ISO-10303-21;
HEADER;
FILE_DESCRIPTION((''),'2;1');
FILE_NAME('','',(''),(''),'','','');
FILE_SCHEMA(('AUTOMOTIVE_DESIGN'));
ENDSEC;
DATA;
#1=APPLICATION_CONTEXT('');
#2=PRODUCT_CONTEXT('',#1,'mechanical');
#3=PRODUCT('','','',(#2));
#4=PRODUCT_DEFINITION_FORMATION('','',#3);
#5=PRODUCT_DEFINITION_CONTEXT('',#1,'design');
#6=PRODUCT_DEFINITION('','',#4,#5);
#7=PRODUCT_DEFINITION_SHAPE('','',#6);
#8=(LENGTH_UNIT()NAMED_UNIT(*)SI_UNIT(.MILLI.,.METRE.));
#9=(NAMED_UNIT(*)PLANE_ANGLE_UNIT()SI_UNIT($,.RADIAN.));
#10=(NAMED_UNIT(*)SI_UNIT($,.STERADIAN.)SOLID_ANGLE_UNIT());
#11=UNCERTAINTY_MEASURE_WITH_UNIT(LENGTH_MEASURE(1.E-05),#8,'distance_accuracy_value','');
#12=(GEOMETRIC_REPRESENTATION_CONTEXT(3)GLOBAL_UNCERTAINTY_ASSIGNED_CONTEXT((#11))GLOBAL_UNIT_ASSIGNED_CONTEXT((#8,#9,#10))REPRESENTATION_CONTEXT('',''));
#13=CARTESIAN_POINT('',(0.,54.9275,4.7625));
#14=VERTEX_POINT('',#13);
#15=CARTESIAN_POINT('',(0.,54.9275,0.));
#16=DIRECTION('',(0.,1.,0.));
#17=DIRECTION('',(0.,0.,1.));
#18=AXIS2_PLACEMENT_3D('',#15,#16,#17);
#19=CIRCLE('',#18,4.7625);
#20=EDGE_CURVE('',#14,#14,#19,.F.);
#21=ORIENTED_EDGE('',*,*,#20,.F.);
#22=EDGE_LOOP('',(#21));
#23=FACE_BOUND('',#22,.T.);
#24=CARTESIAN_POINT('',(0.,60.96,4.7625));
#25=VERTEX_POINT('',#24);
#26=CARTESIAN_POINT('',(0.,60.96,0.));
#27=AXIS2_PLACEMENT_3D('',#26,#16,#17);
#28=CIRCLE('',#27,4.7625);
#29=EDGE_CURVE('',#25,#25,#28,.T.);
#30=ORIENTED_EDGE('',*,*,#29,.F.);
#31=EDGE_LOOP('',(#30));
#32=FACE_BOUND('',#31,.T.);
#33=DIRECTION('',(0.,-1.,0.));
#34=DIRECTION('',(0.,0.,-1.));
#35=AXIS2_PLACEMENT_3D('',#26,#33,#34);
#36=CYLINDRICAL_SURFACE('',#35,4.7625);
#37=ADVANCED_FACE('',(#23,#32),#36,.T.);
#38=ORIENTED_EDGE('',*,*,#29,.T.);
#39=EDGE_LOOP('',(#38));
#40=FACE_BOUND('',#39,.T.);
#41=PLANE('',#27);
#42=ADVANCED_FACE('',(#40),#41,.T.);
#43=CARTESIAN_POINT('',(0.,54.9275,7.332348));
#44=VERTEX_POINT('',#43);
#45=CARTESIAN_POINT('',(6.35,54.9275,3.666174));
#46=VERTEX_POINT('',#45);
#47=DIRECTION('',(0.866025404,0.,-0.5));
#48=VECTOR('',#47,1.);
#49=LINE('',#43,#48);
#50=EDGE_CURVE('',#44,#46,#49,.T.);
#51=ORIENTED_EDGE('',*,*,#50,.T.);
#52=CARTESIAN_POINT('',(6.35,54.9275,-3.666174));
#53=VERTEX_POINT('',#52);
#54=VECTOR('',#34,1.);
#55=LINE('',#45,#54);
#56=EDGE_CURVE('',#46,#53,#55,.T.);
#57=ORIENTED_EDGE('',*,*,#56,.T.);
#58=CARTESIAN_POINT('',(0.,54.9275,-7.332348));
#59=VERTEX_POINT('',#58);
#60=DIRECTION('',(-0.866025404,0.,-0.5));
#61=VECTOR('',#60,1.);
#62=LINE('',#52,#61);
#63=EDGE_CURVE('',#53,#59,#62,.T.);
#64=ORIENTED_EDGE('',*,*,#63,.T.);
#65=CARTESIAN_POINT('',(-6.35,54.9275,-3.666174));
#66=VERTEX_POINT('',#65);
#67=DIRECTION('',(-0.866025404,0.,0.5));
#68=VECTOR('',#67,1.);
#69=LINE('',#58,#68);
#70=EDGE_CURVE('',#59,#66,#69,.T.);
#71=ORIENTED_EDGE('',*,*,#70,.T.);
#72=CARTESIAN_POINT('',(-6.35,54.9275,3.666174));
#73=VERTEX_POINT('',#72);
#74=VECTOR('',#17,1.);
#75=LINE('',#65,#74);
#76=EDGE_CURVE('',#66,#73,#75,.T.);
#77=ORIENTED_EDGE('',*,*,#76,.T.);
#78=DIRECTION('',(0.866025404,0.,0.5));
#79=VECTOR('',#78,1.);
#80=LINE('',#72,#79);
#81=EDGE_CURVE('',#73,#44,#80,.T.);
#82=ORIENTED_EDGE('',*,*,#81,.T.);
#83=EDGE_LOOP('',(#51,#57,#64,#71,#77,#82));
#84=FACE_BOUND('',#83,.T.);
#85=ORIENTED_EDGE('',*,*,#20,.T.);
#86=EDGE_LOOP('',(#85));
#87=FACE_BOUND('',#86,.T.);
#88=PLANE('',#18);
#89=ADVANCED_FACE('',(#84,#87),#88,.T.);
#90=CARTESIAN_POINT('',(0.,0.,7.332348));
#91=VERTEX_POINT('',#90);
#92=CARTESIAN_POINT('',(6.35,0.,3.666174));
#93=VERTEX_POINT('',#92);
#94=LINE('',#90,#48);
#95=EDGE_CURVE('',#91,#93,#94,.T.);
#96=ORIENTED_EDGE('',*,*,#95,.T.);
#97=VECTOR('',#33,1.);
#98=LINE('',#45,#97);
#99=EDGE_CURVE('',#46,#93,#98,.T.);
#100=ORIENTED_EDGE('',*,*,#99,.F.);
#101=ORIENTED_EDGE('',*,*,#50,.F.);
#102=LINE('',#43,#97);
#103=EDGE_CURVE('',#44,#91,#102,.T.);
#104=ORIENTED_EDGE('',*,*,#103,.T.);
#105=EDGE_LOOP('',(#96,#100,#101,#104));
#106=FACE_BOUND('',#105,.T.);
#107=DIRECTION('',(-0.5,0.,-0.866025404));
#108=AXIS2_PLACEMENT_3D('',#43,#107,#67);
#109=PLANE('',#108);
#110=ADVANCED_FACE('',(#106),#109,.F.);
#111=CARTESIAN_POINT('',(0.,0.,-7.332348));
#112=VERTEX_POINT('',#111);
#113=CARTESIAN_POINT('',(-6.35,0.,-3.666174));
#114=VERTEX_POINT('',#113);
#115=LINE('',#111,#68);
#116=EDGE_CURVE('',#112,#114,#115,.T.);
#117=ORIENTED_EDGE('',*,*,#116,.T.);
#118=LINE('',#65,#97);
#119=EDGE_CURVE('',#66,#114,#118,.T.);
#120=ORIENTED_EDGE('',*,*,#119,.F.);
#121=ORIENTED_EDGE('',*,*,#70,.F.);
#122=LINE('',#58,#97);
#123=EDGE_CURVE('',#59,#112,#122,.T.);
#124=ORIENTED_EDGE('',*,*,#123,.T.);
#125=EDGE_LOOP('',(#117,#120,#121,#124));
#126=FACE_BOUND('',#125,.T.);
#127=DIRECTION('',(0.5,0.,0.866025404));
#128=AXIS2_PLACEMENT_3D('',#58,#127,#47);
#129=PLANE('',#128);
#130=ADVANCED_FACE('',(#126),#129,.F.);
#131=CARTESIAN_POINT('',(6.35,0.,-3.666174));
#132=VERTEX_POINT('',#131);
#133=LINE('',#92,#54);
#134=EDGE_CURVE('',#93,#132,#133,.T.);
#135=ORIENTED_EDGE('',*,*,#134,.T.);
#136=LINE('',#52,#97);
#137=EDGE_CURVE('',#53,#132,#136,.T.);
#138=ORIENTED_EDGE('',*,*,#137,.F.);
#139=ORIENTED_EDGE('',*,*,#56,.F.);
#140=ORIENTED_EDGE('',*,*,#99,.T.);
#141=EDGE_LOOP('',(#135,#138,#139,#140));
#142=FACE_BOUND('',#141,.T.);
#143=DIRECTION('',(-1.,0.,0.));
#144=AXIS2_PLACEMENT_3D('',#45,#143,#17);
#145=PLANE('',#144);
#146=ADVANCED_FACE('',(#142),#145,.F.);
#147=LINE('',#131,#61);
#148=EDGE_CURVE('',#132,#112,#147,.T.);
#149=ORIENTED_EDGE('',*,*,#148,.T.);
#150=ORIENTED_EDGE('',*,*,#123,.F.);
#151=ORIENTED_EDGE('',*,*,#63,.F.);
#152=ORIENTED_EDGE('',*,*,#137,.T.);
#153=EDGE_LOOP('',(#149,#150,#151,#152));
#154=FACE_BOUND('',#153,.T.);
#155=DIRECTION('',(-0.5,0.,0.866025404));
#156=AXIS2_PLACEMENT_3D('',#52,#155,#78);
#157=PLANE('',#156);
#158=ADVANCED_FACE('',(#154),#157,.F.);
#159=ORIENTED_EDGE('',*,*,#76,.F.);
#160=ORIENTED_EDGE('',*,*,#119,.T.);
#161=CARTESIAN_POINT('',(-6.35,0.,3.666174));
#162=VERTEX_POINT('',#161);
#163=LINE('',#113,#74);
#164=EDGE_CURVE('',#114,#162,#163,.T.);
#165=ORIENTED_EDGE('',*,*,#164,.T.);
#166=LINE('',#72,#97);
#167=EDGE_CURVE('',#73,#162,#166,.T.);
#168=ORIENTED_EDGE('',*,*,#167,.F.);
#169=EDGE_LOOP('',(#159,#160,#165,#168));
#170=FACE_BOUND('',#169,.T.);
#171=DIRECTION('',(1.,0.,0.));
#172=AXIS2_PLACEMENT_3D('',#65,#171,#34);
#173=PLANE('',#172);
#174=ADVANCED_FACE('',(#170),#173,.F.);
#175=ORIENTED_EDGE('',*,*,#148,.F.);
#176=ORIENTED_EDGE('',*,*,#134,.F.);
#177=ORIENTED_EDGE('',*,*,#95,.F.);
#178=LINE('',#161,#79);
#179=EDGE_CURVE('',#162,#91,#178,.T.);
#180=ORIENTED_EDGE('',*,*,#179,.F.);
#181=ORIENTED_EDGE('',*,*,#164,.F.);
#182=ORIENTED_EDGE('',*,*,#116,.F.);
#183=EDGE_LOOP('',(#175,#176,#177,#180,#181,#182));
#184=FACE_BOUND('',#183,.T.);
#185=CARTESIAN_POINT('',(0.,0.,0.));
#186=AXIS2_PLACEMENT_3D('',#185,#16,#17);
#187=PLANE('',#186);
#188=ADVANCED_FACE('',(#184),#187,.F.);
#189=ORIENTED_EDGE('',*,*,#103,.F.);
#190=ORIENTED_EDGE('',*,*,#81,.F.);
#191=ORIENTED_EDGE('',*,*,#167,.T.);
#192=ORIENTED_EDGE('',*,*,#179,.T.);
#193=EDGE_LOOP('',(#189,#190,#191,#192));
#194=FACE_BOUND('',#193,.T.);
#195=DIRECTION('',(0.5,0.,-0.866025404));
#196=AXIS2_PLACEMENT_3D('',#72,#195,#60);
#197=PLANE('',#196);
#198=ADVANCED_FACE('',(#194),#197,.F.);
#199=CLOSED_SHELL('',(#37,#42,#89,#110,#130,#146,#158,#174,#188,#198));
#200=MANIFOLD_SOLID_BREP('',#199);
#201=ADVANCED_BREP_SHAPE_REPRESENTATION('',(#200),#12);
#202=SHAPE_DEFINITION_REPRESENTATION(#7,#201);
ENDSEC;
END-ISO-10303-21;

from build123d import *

# Parameters (mm, degrees)
BOSS_EXTRUDE1_DEPTH = 54.9275
SKETCH2_R           = 4.7625
BOSS_EXTRUDE2_DEPTH = 60.96


with BuildPart() as part:
    # Sketch1 → Boss-Extrude1 (new body)
    with BuildSketch(Plane(origin=(0, 0, 0), x_dir=(1, 0, 0), z_dir=(0, 1, 0))):
        Polygon((6.35, -3.666174209), (6.35, 3.666174209), (0, 7.332348419), (-6.35, 3.666174209), (-6.35, -3.666174209), (0, -7.332348419), align=None)
    extrude(amount=BOSS_EXTRUDE1_DEPTH)

    # Sketch2 → Boss-Extrude2 (add)
    with BuildSketch(Plane(origin=(0, 0, 0), x_dir=(1, 0, 0), z_dir=(0, 1, 0))):
        Circle(SKETCH2_R)
    extrude(amount=BOSS_EXTRUDE2_DEPTH)


solid = part.part
